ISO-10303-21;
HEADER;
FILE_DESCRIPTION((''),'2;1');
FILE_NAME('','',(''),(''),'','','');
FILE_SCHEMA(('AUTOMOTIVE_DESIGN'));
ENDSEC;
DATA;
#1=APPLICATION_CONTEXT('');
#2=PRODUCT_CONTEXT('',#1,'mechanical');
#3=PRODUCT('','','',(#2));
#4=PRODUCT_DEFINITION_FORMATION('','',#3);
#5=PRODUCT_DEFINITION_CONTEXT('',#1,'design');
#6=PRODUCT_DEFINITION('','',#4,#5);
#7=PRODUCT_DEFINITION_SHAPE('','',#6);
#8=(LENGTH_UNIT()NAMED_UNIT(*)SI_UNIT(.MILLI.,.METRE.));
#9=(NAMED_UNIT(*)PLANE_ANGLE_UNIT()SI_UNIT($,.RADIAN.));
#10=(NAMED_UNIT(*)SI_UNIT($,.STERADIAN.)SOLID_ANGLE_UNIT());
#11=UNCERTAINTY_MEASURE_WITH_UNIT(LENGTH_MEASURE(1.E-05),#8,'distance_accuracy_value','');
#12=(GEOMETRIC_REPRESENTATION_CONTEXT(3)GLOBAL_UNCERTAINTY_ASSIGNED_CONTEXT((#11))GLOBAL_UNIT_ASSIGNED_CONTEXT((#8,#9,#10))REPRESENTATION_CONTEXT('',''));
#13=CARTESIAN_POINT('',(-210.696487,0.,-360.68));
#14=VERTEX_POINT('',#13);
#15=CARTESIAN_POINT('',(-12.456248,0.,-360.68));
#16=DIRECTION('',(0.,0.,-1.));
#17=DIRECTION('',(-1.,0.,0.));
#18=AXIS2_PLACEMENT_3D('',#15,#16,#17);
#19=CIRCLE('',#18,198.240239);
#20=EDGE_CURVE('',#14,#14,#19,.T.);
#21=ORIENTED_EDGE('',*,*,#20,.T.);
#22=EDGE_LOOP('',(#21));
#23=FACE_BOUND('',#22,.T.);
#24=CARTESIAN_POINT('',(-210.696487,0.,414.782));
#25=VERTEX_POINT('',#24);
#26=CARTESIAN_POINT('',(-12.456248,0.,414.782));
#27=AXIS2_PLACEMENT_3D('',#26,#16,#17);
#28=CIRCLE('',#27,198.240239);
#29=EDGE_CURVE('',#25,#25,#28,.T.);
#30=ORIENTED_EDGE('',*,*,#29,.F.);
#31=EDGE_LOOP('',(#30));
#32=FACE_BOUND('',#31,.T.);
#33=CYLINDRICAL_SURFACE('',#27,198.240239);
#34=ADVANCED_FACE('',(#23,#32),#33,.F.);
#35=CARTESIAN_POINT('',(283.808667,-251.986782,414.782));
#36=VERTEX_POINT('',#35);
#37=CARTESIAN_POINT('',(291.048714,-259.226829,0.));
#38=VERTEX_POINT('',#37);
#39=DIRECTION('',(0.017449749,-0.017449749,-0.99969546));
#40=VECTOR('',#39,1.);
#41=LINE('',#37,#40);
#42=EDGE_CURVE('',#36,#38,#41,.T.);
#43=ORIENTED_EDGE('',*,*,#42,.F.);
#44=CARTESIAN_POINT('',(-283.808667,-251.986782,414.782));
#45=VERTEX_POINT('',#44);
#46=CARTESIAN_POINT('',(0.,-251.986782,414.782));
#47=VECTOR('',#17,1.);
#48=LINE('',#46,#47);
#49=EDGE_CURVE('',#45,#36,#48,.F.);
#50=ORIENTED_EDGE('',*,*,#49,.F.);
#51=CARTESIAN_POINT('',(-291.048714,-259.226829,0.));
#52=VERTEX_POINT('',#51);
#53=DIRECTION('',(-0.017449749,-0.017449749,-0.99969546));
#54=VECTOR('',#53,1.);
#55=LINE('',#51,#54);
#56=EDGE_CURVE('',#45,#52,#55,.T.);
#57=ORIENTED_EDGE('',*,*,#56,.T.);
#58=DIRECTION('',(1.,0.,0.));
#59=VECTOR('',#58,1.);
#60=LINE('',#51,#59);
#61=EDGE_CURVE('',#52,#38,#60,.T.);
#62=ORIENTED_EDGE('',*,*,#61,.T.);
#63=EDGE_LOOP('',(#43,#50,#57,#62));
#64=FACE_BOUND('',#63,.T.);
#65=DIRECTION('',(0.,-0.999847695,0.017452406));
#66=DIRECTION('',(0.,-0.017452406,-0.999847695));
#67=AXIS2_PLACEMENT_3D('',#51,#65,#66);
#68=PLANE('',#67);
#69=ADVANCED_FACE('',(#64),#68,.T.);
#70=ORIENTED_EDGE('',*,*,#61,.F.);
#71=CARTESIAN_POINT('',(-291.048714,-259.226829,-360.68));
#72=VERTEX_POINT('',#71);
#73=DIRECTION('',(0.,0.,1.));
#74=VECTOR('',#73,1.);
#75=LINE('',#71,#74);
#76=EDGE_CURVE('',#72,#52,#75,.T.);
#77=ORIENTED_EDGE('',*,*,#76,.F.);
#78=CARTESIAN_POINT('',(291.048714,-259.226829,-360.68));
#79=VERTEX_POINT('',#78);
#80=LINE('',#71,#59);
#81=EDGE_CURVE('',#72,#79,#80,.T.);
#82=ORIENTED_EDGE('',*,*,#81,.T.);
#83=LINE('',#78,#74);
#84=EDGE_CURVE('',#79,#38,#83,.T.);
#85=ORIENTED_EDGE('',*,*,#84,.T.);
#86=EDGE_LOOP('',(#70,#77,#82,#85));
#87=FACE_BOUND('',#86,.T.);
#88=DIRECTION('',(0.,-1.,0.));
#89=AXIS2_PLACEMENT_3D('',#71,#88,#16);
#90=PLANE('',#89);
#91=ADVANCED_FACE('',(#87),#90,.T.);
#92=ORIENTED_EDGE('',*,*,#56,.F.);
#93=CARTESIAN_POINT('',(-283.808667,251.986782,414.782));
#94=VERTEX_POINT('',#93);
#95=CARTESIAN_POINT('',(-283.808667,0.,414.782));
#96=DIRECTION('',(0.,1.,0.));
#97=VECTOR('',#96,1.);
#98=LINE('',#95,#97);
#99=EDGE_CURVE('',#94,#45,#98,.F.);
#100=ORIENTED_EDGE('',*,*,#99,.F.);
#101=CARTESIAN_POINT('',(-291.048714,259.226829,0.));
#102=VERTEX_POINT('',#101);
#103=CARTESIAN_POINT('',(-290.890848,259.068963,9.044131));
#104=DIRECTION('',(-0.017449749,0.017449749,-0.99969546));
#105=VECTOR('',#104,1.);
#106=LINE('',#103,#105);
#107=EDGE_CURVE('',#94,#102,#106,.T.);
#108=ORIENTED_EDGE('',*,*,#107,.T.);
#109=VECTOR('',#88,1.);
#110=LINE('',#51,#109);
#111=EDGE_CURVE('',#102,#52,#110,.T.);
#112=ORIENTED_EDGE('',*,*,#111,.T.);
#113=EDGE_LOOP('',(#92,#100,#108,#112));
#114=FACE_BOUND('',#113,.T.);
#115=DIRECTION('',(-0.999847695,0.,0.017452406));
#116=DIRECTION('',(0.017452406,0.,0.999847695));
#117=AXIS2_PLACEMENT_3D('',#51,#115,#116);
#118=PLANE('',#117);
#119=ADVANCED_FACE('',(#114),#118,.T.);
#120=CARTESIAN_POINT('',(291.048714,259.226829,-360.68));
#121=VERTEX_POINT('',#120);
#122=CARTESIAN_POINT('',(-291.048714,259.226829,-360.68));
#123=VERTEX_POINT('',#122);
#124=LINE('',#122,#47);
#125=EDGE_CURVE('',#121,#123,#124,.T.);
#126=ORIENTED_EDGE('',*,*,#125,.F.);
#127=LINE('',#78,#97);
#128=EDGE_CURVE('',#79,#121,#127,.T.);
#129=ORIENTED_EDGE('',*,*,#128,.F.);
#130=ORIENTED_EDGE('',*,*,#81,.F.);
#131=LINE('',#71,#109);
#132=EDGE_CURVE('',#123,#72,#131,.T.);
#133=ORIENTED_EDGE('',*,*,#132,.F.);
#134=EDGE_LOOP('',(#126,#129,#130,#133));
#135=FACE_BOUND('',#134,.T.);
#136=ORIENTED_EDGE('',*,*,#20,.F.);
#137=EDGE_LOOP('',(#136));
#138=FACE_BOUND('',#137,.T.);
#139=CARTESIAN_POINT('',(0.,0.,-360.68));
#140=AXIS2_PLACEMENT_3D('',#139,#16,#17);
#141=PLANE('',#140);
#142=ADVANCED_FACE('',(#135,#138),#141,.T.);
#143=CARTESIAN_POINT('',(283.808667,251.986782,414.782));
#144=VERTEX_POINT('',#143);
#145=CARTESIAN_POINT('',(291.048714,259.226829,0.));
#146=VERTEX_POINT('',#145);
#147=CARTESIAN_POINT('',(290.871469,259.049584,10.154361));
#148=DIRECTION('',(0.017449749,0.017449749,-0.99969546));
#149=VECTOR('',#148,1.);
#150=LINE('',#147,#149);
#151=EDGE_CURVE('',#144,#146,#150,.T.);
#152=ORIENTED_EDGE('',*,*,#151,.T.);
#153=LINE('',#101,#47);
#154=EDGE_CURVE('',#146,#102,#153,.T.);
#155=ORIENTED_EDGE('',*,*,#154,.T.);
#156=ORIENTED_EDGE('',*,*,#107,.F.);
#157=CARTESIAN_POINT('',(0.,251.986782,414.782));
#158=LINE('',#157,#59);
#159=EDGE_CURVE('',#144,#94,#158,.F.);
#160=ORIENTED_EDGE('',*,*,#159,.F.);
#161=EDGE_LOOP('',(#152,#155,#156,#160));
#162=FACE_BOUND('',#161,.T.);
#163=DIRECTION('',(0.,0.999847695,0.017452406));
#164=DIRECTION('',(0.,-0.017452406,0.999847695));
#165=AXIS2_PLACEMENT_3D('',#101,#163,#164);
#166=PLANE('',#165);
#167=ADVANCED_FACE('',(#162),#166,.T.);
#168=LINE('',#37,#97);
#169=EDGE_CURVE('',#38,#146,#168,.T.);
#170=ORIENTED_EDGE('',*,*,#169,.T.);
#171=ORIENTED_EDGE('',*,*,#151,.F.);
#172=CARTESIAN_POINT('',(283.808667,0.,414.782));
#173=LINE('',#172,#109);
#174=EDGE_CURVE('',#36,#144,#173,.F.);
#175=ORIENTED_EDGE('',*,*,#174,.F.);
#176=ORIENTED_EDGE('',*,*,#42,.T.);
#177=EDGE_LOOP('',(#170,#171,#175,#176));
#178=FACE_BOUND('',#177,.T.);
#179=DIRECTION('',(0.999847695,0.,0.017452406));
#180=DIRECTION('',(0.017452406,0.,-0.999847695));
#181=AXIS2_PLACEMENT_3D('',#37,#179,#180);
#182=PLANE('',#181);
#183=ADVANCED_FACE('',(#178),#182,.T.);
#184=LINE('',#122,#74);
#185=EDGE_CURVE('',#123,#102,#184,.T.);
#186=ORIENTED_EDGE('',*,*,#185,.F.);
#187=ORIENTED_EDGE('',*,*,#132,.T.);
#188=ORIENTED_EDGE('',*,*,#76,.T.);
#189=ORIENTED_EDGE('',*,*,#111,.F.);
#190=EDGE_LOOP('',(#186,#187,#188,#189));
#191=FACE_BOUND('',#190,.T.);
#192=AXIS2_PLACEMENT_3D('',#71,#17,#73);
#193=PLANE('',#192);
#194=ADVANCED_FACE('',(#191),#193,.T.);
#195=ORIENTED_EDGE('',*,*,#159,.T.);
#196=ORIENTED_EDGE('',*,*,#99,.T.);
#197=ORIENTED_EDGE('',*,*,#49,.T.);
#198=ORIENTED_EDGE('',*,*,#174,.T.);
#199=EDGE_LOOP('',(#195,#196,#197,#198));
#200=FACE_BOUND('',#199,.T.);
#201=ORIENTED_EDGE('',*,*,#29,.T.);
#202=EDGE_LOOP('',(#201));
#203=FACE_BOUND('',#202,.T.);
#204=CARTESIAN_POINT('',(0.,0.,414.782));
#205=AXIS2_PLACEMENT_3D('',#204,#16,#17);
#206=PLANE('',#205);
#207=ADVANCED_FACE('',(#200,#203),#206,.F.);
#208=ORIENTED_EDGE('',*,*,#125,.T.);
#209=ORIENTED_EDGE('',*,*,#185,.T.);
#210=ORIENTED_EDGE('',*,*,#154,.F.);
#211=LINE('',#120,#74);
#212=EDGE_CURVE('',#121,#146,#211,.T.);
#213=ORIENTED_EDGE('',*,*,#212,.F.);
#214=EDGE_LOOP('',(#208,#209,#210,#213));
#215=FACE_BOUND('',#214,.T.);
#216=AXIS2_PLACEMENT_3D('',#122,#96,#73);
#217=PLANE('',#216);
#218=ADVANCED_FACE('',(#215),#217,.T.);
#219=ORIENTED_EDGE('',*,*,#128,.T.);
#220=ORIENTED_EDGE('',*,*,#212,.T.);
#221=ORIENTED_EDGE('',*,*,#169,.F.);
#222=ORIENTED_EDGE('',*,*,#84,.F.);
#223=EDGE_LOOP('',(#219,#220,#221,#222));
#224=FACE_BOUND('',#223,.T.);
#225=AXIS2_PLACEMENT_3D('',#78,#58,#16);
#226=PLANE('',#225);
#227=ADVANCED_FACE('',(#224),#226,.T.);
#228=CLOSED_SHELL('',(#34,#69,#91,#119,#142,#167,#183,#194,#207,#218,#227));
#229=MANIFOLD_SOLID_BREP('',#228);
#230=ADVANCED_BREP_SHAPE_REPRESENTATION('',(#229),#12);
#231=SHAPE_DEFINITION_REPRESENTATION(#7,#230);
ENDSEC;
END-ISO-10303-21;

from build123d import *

# Parameters (mm, degrees)
SKETCH1_W                     = 582.097428288
SKETCH1_H                     = 518.453658302
BOSS_EXTRUDE1_DEPTH           = 414.782
BOSS_EXTRUDE1_TAPER           = 1
BOSS_EXTRUDE1_OTHER_WAY_DEPTH = 360.68
SKETCH2_R                     = 198.240238767
CUT_EXTRUDE1_DEPTH            = 868.899312363


with BuildPart() as part:
    # Sketch1 → Boss-Extrude1 (new body)
    with BuildSketch(Plane.XY):
        Rectangle(SKETCH1_W, SKETCH1_H)
    extrude(amount=BOSS_EXTRUDE1_DEPTH, taper=BOSS_EXTRUDE1_TAPER)

    # Sketch1 → Boss-Extrude1 other way (add)
    with BuildSketch(Plane.XY):
        Rectangle(SKETCH1_W, SKETCH1_H)
    extrude(amount=-BOSS_EXTRUDE1_OTHER_WAY_DEPTH)

    # Sketch2 → Cut-Extrude1 (cut, through all)
    with BuildSketch(Plane(origin=(0, 0, -360.68), x_dir=(-1, 0, 0), z_dir=(0, 0, -1))):
        with Locations((12.456248264, 0)):
            Circle(SKETCH2_R)
    extrude(amount=-CUT_EXTRUDE1_DEPTH, mode=Mode.SUBTRACT)


solid = part.part
